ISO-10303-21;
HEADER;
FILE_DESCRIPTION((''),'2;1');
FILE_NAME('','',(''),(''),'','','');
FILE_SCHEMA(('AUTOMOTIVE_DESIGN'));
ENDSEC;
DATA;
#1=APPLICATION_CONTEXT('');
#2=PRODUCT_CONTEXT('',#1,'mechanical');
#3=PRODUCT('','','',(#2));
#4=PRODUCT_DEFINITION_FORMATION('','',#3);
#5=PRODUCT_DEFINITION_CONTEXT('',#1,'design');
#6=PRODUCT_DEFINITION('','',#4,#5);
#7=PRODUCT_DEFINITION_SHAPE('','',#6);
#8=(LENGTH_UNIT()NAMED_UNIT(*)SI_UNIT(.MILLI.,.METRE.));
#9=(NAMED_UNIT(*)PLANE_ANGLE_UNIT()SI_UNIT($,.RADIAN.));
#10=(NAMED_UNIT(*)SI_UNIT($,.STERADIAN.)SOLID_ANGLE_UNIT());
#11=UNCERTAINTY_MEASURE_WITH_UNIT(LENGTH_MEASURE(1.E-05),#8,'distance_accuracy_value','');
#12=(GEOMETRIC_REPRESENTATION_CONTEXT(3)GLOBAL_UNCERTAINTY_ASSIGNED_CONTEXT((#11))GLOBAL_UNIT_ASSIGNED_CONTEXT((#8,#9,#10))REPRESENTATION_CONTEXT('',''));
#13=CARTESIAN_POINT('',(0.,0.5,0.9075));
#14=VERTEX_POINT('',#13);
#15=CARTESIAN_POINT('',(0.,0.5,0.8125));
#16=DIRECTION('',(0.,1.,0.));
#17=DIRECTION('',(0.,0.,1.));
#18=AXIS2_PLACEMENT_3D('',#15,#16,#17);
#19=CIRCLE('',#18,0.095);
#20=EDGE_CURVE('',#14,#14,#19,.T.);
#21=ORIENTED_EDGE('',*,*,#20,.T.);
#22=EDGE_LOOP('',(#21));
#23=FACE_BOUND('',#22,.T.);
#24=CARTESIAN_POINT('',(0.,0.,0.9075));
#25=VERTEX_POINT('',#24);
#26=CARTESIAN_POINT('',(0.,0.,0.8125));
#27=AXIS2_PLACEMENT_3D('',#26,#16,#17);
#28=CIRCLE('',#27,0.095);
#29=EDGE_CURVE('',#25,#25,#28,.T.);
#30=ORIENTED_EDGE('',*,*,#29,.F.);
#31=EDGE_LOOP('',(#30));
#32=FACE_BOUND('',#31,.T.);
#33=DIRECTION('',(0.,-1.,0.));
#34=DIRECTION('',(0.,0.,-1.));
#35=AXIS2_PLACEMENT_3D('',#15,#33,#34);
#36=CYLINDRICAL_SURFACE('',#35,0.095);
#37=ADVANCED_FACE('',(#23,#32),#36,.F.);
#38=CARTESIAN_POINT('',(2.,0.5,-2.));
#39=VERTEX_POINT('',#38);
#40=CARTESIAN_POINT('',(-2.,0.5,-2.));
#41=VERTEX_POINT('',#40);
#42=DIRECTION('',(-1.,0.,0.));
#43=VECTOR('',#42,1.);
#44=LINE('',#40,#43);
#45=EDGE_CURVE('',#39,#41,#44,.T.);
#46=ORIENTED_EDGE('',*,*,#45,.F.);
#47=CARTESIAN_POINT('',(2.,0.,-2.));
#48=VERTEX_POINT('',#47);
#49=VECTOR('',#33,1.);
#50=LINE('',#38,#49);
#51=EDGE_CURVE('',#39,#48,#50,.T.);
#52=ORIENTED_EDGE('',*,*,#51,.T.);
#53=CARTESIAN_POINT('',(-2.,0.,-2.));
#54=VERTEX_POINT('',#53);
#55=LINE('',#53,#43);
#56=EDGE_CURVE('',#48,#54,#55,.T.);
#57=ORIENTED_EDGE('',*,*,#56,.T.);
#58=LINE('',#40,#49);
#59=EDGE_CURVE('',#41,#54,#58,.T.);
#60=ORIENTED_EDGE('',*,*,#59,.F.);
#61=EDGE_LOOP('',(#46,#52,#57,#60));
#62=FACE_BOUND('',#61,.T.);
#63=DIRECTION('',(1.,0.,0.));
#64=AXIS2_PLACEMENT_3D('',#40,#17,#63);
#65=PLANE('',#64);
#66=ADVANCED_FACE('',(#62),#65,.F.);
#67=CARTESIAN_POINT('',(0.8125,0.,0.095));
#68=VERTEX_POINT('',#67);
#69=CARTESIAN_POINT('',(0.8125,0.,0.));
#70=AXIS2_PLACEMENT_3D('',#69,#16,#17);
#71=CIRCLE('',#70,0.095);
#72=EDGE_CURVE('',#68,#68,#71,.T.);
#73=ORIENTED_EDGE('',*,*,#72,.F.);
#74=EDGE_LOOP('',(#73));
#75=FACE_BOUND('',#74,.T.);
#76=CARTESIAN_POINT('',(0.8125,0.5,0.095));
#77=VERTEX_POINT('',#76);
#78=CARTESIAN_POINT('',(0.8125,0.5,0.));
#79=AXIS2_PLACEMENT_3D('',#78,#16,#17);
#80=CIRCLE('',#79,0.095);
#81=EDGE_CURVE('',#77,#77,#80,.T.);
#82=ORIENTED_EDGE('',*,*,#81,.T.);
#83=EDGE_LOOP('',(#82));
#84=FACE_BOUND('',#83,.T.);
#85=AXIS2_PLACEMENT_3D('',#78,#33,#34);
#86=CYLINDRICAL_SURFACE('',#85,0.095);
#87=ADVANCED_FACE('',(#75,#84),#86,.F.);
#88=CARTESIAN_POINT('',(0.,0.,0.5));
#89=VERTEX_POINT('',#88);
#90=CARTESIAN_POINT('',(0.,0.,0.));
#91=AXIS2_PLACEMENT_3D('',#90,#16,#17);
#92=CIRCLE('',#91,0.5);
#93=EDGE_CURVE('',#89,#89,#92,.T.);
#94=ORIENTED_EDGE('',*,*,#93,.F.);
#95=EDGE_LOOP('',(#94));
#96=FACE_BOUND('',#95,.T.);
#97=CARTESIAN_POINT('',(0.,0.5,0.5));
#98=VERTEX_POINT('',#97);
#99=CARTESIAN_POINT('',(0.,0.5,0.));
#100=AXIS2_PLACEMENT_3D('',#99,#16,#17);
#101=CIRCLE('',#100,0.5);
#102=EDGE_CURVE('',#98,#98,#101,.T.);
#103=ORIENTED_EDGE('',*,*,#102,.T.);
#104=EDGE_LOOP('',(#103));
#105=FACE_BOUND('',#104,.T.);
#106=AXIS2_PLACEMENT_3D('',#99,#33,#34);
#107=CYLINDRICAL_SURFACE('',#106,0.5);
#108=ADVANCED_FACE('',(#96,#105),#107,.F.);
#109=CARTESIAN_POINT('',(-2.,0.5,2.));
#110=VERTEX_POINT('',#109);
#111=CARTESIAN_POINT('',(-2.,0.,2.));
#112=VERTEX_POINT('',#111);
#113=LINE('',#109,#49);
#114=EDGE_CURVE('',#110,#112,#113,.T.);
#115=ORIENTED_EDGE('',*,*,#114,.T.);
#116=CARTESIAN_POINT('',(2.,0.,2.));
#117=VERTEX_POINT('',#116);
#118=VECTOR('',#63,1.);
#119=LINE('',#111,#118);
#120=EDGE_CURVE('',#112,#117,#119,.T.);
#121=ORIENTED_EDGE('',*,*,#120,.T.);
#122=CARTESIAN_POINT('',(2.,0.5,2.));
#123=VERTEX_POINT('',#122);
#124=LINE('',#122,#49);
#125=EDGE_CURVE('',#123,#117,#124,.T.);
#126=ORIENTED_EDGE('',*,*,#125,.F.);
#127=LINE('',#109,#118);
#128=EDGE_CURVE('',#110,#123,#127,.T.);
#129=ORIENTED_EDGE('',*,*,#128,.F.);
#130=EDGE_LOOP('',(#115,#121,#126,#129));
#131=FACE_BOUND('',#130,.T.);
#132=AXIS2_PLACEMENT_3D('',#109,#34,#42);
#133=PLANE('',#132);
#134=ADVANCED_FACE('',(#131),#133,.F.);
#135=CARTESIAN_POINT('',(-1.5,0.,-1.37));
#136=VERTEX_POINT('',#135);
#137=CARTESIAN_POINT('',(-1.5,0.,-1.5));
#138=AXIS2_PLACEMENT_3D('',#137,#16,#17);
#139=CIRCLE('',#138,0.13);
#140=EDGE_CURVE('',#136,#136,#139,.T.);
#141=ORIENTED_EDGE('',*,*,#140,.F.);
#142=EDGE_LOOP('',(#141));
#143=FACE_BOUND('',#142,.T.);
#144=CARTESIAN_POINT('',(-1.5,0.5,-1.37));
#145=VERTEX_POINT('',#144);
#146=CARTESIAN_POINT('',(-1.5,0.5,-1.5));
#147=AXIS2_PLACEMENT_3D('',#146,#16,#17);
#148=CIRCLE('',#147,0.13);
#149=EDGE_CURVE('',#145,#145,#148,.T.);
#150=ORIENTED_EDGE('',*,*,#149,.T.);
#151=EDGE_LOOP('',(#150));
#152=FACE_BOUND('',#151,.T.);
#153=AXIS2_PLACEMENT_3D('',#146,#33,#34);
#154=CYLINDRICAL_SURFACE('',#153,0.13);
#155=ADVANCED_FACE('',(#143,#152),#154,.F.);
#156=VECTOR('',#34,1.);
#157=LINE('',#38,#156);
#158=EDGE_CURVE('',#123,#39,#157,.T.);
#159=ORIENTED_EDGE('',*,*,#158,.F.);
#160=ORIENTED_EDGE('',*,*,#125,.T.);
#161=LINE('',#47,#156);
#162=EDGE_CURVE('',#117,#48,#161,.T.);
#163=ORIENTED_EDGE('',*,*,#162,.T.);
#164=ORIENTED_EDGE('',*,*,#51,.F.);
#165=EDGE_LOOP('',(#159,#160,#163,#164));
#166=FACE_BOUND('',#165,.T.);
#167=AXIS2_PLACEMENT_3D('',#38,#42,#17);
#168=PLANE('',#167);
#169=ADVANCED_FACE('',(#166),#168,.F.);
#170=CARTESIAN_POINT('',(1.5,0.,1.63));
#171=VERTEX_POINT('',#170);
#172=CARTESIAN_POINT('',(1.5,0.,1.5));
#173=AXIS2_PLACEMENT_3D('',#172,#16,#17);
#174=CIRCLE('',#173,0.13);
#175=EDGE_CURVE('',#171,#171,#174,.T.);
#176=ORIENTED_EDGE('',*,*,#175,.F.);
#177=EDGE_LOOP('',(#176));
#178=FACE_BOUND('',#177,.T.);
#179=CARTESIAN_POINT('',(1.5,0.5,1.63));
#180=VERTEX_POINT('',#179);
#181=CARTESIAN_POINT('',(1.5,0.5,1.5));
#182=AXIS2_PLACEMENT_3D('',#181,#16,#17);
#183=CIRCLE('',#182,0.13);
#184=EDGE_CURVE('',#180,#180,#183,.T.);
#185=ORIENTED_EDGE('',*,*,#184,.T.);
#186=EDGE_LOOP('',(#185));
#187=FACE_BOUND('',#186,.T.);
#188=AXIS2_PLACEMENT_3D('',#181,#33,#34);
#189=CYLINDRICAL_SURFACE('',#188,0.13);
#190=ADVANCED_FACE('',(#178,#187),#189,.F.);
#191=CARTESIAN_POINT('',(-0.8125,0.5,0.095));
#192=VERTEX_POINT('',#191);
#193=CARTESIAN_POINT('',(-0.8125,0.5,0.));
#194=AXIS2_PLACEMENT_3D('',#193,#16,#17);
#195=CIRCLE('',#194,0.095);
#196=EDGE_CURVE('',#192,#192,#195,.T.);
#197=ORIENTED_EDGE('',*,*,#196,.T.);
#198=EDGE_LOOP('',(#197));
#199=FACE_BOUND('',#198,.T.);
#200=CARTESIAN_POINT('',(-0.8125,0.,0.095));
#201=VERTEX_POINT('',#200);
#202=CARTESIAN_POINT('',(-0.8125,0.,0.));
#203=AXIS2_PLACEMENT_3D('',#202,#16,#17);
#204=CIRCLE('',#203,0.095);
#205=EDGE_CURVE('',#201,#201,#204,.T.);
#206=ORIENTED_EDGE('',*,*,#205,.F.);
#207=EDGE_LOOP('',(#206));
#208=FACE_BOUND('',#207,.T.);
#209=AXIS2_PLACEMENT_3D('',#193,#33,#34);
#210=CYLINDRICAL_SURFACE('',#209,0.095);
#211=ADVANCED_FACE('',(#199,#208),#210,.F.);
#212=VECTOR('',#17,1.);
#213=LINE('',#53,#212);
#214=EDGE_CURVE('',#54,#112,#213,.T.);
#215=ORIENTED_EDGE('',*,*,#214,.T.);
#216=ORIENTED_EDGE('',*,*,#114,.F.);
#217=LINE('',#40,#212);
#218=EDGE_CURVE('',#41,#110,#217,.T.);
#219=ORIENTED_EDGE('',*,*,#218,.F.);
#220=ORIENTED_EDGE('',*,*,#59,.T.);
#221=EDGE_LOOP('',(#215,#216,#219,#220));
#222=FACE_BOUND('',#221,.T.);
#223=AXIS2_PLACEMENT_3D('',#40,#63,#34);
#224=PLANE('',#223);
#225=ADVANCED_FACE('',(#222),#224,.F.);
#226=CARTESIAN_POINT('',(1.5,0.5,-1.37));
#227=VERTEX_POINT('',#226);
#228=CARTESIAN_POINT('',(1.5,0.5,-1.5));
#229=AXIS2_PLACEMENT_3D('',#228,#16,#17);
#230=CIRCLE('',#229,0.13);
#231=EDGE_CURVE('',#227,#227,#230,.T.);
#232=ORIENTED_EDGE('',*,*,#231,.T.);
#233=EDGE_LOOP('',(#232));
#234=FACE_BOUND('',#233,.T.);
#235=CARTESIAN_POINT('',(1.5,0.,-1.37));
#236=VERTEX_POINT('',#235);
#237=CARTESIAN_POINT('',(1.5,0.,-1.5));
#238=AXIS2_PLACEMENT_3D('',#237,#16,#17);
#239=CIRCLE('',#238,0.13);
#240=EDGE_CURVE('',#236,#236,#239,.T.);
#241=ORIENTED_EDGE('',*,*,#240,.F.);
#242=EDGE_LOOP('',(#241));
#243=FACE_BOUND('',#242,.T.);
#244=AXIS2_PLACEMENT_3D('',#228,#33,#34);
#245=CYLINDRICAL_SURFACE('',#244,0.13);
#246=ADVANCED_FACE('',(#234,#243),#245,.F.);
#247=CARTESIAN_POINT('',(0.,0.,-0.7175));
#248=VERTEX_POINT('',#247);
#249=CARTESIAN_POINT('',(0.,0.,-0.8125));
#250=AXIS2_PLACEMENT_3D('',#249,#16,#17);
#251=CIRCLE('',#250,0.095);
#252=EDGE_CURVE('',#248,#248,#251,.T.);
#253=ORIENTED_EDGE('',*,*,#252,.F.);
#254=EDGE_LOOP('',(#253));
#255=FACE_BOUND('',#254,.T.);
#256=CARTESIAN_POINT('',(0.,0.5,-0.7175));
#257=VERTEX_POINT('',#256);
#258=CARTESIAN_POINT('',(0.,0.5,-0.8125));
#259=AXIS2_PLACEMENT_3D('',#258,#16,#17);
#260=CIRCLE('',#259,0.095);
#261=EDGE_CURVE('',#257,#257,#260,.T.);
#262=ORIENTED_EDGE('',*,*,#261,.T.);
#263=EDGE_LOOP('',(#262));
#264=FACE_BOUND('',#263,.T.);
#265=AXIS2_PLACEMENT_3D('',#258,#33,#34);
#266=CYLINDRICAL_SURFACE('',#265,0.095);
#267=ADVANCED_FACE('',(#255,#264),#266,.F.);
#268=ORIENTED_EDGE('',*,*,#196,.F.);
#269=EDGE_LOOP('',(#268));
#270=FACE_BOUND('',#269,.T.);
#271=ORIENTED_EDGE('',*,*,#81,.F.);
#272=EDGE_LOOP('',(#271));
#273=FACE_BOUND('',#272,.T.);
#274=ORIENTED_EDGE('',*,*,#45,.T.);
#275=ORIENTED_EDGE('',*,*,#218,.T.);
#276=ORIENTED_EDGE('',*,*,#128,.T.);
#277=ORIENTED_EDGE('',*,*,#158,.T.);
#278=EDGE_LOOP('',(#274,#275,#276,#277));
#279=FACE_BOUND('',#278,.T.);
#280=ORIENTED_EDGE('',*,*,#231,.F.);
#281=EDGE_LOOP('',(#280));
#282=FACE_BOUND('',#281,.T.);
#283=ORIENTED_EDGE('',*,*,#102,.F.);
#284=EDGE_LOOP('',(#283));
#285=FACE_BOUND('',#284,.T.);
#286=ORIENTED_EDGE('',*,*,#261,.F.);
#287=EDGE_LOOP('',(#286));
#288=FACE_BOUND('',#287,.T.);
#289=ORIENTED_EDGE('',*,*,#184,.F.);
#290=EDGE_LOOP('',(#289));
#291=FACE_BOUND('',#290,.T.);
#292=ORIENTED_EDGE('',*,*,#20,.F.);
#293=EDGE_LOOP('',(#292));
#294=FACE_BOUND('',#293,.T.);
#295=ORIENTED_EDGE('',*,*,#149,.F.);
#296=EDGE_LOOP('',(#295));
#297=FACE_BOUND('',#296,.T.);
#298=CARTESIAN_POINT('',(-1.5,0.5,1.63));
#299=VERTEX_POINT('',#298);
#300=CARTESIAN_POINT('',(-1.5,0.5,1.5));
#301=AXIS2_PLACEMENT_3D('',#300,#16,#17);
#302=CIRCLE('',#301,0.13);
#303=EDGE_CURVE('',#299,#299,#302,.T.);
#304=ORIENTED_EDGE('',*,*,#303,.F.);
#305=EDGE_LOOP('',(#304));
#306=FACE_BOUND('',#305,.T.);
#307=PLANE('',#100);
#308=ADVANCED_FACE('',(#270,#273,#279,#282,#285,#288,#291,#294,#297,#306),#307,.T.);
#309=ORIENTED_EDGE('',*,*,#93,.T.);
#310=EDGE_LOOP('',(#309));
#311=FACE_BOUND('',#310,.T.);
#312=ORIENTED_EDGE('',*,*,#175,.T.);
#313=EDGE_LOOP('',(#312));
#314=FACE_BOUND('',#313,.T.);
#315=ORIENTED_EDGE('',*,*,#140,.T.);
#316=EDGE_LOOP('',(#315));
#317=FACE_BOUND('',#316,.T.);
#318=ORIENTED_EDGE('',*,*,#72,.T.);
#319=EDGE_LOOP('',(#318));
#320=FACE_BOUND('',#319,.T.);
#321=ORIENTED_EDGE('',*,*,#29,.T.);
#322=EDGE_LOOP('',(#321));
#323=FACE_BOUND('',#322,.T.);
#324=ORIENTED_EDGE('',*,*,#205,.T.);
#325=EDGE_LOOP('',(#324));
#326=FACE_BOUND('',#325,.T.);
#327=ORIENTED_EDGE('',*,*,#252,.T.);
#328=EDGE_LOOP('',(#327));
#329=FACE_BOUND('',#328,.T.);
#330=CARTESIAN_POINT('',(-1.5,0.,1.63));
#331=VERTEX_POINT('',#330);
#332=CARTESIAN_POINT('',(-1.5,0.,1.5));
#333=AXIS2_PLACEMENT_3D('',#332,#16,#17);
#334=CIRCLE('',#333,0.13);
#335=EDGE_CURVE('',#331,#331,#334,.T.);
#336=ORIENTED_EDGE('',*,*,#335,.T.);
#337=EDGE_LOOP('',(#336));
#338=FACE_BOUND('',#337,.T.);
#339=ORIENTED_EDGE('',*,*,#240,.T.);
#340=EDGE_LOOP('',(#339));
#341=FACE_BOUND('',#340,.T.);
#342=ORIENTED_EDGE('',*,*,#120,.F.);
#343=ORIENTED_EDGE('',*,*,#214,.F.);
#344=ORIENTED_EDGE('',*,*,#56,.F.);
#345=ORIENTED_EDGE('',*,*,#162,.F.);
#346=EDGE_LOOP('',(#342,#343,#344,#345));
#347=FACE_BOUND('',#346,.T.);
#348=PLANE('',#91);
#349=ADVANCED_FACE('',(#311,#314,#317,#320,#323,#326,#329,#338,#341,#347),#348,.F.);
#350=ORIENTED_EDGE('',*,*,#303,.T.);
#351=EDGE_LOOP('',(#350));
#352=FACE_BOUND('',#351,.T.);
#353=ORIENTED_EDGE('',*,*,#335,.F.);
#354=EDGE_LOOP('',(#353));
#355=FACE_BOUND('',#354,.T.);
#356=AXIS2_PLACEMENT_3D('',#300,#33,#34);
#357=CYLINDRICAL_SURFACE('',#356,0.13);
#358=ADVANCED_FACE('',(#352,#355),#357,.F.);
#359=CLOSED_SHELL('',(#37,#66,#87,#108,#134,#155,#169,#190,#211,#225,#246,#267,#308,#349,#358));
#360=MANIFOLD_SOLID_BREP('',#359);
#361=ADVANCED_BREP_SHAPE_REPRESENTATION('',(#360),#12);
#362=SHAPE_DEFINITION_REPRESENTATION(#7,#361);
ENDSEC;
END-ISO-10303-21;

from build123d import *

# Parameters (mm, degrees)
SKETCH1_W           = 4
SKETCH1_H           = 4
SKETCH1_R           = 0.5
SKETCH1_R_2         = 0.095
SKETCH1_R_3         = 0.13
BOSS_EXTRUDE1_DEPTH = 0.5


with BuildPart() as part:
    # Sketch1 → Boss-Extrude1 (new body)
    with BuildSketch(Plane(origin=(0, 0, 0), x_dir=(1, 0, 0), z_dir=(0, 1, 0))):
        Rectangle(SKETCH1_W, SKETCH1_H)
        Circle(SKETCH1_R, mode=Mode.SUBTRACT)
        with Locations((0, 0.8125)):
            Circle(SKETCH1_R_2, mode=Mode.SUBTRACT)
        with Locations((0.8125, 0)):
            Circle(SKETCH1_R_2, mode=Mode.SUBTRACT)
        with Locations((0, -0.8125)):
            Circle(SKETCH1_R_2, mode=Mode.SUBTRACT)
        with Locations((-0.8125, 0)):
            Circle(SKETCH1_R_2, mode=Mode.SUBTRACT)
        with Locations((-1.5, 1.5)):
            Circle(SKETCH1_R_3, mode=Mode.SUBTRACT)
        with Locations((1.5, 1.5)):
            Circle(SKETCH1_R_3, mode=Mode.SUBTRACT)
        with Locations((-1.5, -1.5)):
            Circle(SKETCH1_R_3, mode=Mode.SUBTRACT)
        with Locations((1.5, -1.5)):
            Circle(SKETCH1_R_3, mode=Mode.SUBTRACT)
    extrude(amount=BOSS_EXTRUDE1_DEPTH)


solid = part.part
